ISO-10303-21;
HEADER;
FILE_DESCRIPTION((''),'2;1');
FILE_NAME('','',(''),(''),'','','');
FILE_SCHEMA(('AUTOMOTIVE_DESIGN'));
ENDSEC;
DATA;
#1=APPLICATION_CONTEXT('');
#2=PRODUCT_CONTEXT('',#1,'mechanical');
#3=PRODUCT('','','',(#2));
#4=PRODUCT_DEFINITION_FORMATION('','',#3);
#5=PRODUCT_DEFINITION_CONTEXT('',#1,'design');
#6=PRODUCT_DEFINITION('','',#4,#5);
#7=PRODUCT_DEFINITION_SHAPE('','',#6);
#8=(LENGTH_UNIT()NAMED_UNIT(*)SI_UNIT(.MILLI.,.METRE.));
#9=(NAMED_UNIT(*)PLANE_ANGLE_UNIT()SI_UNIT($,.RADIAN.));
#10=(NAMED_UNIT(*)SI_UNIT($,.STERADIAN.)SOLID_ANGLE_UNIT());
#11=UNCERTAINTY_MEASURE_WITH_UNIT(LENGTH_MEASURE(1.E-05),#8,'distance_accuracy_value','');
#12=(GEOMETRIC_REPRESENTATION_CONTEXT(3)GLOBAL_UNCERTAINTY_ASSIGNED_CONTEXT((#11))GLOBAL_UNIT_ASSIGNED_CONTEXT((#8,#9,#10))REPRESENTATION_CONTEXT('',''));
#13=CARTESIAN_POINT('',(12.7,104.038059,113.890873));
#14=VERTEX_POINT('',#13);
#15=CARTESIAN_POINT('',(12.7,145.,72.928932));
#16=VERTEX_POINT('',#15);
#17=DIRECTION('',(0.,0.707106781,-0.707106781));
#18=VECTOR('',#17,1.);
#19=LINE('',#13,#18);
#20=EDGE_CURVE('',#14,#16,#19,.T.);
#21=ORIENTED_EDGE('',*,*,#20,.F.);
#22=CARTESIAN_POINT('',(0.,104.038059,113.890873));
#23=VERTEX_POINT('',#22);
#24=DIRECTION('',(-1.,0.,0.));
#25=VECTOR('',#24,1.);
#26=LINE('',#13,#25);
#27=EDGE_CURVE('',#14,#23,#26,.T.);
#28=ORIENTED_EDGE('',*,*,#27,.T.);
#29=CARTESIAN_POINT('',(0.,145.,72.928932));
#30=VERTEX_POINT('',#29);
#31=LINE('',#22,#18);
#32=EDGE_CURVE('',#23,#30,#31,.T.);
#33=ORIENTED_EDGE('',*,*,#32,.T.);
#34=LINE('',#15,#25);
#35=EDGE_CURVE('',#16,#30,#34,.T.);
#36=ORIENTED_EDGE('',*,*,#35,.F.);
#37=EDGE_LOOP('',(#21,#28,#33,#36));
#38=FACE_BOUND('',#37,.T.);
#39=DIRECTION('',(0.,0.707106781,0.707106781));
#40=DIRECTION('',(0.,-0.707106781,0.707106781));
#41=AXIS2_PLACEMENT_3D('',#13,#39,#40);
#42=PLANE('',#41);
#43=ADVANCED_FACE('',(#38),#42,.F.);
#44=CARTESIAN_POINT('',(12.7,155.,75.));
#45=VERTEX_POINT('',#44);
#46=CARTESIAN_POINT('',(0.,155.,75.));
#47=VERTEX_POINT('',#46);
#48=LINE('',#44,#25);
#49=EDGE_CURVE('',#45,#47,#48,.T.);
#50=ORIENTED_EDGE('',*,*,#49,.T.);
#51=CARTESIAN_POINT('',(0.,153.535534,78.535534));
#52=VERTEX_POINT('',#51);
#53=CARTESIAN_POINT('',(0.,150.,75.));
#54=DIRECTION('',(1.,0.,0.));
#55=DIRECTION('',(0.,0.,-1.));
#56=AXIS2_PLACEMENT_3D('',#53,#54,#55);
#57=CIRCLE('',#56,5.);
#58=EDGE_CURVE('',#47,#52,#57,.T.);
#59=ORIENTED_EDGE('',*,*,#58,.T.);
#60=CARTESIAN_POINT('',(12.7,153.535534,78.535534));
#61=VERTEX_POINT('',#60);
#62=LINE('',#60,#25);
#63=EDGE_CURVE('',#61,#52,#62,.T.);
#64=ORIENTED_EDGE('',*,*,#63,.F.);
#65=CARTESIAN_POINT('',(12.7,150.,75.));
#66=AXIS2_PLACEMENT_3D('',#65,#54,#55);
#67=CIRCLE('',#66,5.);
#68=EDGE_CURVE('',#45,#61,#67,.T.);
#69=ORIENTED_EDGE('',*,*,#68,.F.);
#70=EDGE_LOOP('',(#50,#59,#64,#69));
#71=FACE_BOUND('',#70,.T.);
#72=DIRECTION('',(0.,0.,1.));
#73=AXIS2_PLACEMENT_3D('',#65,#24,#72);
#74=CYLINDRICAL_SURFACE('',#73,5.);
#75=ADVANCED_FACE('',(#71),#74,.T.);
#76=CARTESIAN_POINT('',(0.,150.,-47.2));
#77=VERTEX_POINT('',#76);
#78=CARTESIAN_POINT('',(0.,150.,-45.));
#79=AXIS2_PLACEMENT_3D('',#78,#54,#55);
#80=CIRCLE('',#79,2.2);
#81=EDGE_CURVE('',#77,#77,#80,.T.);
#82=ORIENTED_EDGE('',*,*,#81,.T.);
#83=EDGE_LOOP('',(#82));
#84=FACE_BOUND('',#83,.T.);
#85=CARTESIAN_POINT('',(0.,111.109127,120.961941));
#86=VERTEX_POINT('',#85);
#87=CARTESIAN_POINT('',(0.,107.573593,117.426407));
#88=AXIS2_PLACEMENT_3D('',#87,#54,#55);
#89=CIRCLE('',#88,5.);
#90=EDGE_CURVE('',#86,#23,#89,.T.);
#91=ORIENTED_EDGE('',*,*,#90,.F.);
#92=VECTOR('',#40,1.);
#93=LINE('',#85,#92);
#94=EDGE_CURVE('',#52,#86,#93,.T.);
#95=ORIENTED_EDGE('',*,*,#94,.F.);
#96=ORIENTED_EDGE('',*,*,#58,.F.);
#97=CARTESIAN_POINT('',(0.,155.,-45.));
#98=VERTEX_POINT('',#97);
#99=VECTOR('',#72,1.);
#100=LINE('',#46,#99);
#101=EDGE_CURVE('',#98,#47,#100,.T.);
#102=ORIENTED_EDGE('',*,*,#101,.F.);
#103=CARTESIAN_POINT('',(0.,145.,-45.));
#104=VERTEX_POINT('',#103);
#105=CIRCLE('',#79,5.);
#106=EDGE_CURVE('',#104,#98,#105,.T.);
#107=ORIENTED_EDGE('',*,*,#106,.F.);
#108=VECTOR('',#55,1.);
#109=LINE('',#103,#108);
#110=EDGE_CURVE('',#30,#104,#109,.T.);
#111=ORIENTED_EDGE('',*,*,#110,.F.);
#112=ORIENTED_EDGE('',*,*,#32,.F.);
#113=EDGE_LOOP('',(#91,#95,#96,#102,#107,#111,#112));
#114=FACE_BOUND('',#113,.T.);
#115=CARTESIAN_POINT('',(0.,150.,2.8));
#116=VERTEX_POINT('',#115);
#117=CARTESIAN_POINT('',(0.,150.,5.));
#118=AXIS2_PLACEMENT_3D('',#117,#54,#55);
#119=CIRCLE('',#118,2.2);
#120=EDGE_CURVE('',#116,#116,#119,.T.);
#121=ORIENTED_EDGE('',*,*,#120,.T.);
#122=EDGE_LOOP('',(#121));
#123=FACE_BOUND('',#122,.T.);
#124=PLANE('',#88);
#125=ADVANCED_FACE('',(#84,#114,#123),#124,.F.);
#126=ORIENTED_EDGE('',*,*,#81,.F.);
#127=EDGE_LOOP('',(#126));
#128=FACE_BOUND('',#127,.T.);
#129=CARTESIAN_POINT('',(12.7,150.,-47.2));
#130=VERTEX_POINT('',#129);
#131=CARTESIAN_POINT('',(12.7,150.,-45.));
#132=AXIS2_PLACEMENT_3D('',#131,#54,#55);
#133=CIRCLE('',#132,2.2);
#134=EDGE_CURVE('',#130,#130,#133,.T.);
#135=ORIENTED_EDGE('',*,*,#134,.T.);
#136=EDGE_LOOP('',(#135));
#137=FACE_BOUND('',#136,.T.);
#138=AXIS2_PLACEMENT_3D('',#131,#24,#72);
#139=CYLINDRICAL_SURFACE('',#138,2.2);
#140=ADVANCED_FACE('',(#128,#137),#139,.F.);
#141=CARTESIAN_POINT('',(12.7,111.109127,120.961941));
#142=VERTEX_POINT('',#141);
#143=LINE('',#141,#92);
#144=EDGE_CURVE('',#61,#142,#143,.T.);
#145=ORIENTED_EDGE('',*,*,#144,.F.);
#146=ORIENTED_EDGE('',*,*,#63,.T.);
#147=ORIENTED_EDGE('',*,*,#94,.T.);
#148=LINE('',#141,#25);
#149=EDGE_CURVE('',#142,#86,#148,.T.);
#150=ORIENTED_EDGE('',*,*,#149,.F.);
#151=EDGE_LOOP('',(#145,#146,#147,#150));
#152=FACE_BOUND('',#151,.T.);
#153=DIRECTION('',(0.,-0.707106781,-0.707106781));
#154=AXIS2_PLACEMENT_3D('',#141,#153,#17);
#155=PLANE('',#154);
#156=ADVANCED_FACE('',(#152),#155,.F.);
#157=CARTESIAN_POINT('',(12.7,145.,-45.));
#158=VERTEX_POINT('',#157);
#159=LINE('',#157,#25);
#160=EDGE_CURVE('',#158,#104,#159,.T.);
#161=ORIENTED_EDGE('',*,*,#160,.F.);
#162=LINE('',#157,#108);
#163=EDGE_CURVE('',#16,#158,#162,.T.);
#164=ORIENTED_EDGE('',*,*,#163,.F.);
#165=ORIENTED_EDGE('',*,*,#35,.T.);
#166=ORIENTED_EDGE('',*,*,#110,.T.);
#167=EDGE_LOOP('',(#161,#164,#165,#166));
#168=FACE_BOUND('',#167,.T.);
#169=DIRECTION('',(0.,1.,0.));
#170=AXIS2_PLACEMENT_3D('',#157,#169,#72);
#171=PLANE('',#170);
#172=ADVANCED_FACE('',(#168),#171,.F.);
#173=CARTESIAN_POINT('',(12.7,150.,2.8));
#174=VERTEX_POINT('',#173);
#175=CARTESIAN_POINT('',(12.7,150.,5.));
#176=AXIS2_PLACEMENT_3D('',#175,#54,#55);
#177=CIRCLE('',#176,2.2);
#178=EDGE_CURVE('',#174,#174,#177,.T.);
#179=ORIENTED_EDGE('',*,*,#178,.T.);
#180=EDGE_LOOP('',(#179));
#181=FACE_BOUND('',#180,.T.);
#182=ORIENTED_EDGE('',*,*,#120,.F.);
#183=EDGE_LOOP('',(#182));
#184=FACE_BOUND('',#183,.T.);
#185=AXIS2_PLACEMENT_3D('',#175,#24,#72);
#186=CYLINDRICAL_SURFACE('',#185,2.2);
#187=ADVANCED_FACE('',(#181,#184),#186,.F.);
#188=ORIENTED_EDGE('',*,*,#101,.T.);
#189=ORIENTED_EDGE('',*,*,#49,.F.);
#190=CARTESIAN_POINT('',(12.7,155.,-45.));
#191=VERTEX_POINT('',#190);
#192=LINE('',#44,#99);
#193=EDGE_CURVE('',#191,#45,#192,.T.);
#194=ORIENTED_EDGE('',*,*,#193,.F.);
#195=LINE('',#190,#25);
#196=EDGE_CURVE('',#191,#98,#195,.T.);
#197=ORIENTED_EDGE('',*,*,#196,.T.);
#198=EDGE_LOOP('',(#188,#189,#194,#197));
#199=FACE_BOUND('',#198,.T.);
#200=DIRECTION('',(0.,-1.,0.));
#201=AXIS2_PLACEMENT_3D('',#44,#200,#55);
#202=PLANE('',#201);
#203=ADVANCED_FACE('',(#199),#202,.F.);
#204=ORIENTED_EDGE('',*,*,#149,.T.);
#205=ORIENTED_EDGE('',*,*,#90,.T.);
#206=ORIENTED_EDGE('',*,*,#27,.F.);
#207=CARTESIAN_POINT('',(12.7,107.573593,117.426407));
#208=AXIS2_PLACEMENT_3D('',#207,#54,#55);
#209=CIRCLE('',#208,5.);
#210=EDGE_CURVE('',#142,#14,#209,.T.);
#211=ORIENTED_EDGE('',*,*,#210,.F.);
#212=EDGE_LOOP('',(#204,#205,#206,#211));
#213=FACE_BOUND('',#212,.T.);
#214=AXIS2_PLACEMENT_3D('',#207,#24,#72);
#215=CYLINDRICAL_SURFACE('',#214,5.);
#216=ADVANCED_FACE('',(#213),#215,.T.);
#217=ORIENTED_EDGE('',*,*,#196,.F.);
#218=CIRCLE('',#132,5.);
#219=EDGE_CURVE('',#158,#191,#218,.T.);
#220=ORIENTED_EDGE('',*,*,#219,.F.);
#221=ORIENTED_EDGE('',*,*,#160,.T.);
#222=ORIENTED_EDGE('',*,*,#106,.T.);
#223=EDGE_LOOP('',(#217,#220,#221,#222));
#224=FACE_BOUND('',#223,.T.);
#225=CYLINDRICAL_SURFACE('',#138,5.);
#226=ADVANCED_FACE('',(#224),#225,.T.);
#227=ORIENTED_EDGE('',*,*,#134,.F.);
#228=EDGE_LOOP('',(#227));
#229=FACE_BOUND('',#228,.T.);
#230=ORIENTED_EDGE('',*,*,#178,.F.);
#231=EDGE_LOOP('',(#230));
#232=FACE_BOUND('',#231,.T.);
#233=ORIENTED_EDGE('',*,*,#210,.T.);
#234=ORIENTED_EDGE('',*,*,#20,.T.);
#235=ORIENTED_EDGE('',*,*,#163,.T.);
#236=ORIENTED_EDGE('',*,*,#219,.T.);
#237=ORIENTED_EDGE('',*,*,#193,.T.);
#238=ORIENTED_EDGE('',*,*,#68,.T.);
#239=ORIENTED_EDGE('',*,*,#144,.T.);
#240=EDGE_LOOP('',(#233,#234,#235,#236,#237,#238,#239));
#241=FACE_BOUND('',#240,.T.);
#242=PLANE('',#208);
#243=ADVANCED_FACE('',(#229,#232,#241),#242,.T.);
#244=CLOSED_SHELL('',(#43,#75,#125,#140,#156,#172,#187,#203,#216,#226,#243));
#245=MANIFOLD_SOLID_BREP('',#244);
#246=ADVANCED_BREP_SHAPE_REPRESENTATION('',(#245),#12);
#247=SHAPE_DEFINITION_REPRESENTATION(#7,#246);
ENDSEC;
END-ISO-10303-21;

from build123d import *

# Parameters (mm, degrees)
SKETCH2_R           = 2.2
BOSS_EXTRUDE1_DEPTH = 12.7


with BuildPart() as part:
    # Sketch2 → Boss-Extrude1 (new body)
    with BuildSketch(Plane(origin=(0, 0, 0), x_dir=(0, 0, -1), z_dir=(1, 0, 0))):
        with BuildLine():
            Line((-75, 155), (45, 155))
            ThreePointArc((45, 155), (50, 150), (45, 145))
            Line((45, 145), (-72.928932188, 145))
            Line((-72.928932188, 145), (-113.890872965, 104.038059223))
            ThreePointArc((-113.890872965, 104.038059223), (-120.961940777, 104.038059223), (-120.961940777, 111.109127035))
            Line((-120.961940777, 111.109127035), (-78.535533906, 153.535533906))
            ThreePointArc((-78.535533906, 153.535533906), (-76.913417162, 154.619397663), (-75, 155))
        make_face()
        with Locations((-5, 150)):
            Circle(SKETCH2_R, mode=Mode.SUBTRACT)
        with Locations((45, 150)):
            Circle(SKETCH2_R, mode=Mode.SUBTRACT)
    extrude(amount=BOSS_EXTRUDE1_DEPTH)


solid = part.part
